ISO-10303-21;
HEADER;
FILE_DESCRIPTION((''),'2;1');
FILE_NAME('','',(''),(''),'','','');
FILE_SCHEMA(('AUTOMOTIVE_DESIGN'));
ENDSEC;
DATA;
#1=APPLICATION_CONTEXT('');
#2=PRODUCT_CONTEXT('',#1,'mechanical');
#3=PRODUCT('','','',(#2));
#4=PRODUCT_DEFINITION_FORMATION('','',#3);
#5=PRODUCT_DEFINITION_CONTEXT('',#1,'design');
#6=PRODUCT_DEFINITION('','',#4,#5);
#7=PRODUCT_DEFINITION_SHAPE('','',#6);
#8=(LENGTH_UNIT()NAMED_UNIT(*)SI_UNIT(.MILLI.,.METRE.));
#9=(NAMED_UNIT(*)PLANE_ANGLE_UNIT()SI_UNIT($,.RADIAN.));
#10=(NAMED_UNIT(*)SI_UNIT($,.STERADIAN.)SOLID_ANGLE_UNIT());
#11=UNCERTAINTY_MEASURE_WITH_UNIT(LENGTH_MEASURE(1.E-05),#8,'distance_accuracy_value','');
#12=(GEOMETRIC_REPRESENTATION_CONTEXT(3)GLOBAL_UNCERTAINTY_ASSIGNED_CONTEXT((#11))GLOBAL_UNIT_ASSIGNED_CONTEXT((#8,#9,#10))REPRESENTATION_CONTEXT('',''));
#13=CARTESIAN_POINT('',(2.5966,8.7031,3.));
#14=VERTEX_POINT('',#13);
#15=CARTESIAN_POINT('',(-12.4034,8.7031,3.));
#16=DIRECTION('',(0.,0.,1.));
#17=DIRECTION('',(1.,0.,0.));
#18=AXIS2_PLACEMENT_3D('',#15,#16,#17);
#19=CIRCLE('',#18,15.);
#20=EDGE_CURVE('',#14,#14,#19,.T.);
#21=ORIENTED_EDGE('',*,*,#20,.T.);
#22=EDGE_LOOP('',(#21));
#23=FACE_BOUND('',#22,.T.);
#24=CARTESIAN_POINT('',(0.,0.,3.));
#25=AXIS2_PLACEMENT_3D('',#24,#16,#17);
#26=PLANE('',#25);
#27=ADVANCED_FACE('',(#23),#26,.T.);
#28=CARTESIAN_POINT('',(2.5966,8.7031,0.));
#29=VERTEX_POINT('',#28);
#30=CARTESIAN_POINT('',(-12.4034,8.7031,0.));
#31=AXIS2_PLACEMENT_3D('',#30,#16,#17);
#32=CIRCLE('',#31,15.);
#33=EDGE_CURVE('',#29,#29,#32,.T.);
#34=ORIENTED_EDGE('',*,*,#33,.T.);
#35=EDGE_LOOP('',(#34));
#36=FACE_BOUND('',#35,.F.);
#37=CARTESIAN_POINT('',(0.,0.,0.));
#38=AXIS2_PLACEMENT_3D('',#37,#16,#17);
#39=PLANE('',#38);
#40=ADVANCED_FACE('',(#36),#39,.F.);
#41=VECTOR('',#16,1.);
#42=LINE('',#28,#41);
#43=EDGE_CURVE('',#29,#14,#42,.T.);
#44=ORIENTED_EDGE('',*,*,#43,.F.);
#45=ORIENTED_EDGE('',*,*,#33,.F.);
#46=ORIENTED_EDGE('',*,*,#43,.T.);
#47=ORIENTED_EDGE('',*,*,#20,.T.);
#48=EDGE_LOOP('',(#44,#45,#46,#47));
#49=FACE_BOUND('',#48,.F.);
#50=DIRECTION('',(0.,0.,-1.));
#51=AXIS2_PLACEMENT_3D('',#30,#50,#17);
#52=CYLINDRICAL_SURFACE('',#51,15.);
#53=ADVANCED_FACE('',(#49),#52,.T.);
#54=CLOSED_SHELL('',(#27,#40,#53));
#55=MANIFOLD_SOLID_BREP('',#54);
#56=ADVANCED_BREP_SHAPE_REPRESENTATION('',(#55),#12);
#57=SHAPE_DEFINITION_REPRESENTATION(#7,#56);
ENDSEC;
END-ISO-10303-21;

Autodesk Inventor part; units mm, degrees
ref_plane "YZ Plane" through (0, 0, 0) normal (1, 0, 0) x (0, 1, 0)
ref_plane "XZ Plane" through (0, 0, 0) normal (0, 1, 0) x (-1, 0, 0)
ref_plane "XY Plane" through (0, 0, 0) normal (0, 0, 1) x (1, 0, 0)
sketch "Sketch1" plane through (0, 0, 0) normal (0, 0, 1) x (1, 0, 0)
  circle A0 centre (-12.4034, 8.7031) radius 15
  point P0 (0, 0)
  dimension "d0" = 30
  dimension "d0" = 30
extrude "Extrusion1" add sketch "Sketch1" along normal blind 3
properties part number "eyes"
